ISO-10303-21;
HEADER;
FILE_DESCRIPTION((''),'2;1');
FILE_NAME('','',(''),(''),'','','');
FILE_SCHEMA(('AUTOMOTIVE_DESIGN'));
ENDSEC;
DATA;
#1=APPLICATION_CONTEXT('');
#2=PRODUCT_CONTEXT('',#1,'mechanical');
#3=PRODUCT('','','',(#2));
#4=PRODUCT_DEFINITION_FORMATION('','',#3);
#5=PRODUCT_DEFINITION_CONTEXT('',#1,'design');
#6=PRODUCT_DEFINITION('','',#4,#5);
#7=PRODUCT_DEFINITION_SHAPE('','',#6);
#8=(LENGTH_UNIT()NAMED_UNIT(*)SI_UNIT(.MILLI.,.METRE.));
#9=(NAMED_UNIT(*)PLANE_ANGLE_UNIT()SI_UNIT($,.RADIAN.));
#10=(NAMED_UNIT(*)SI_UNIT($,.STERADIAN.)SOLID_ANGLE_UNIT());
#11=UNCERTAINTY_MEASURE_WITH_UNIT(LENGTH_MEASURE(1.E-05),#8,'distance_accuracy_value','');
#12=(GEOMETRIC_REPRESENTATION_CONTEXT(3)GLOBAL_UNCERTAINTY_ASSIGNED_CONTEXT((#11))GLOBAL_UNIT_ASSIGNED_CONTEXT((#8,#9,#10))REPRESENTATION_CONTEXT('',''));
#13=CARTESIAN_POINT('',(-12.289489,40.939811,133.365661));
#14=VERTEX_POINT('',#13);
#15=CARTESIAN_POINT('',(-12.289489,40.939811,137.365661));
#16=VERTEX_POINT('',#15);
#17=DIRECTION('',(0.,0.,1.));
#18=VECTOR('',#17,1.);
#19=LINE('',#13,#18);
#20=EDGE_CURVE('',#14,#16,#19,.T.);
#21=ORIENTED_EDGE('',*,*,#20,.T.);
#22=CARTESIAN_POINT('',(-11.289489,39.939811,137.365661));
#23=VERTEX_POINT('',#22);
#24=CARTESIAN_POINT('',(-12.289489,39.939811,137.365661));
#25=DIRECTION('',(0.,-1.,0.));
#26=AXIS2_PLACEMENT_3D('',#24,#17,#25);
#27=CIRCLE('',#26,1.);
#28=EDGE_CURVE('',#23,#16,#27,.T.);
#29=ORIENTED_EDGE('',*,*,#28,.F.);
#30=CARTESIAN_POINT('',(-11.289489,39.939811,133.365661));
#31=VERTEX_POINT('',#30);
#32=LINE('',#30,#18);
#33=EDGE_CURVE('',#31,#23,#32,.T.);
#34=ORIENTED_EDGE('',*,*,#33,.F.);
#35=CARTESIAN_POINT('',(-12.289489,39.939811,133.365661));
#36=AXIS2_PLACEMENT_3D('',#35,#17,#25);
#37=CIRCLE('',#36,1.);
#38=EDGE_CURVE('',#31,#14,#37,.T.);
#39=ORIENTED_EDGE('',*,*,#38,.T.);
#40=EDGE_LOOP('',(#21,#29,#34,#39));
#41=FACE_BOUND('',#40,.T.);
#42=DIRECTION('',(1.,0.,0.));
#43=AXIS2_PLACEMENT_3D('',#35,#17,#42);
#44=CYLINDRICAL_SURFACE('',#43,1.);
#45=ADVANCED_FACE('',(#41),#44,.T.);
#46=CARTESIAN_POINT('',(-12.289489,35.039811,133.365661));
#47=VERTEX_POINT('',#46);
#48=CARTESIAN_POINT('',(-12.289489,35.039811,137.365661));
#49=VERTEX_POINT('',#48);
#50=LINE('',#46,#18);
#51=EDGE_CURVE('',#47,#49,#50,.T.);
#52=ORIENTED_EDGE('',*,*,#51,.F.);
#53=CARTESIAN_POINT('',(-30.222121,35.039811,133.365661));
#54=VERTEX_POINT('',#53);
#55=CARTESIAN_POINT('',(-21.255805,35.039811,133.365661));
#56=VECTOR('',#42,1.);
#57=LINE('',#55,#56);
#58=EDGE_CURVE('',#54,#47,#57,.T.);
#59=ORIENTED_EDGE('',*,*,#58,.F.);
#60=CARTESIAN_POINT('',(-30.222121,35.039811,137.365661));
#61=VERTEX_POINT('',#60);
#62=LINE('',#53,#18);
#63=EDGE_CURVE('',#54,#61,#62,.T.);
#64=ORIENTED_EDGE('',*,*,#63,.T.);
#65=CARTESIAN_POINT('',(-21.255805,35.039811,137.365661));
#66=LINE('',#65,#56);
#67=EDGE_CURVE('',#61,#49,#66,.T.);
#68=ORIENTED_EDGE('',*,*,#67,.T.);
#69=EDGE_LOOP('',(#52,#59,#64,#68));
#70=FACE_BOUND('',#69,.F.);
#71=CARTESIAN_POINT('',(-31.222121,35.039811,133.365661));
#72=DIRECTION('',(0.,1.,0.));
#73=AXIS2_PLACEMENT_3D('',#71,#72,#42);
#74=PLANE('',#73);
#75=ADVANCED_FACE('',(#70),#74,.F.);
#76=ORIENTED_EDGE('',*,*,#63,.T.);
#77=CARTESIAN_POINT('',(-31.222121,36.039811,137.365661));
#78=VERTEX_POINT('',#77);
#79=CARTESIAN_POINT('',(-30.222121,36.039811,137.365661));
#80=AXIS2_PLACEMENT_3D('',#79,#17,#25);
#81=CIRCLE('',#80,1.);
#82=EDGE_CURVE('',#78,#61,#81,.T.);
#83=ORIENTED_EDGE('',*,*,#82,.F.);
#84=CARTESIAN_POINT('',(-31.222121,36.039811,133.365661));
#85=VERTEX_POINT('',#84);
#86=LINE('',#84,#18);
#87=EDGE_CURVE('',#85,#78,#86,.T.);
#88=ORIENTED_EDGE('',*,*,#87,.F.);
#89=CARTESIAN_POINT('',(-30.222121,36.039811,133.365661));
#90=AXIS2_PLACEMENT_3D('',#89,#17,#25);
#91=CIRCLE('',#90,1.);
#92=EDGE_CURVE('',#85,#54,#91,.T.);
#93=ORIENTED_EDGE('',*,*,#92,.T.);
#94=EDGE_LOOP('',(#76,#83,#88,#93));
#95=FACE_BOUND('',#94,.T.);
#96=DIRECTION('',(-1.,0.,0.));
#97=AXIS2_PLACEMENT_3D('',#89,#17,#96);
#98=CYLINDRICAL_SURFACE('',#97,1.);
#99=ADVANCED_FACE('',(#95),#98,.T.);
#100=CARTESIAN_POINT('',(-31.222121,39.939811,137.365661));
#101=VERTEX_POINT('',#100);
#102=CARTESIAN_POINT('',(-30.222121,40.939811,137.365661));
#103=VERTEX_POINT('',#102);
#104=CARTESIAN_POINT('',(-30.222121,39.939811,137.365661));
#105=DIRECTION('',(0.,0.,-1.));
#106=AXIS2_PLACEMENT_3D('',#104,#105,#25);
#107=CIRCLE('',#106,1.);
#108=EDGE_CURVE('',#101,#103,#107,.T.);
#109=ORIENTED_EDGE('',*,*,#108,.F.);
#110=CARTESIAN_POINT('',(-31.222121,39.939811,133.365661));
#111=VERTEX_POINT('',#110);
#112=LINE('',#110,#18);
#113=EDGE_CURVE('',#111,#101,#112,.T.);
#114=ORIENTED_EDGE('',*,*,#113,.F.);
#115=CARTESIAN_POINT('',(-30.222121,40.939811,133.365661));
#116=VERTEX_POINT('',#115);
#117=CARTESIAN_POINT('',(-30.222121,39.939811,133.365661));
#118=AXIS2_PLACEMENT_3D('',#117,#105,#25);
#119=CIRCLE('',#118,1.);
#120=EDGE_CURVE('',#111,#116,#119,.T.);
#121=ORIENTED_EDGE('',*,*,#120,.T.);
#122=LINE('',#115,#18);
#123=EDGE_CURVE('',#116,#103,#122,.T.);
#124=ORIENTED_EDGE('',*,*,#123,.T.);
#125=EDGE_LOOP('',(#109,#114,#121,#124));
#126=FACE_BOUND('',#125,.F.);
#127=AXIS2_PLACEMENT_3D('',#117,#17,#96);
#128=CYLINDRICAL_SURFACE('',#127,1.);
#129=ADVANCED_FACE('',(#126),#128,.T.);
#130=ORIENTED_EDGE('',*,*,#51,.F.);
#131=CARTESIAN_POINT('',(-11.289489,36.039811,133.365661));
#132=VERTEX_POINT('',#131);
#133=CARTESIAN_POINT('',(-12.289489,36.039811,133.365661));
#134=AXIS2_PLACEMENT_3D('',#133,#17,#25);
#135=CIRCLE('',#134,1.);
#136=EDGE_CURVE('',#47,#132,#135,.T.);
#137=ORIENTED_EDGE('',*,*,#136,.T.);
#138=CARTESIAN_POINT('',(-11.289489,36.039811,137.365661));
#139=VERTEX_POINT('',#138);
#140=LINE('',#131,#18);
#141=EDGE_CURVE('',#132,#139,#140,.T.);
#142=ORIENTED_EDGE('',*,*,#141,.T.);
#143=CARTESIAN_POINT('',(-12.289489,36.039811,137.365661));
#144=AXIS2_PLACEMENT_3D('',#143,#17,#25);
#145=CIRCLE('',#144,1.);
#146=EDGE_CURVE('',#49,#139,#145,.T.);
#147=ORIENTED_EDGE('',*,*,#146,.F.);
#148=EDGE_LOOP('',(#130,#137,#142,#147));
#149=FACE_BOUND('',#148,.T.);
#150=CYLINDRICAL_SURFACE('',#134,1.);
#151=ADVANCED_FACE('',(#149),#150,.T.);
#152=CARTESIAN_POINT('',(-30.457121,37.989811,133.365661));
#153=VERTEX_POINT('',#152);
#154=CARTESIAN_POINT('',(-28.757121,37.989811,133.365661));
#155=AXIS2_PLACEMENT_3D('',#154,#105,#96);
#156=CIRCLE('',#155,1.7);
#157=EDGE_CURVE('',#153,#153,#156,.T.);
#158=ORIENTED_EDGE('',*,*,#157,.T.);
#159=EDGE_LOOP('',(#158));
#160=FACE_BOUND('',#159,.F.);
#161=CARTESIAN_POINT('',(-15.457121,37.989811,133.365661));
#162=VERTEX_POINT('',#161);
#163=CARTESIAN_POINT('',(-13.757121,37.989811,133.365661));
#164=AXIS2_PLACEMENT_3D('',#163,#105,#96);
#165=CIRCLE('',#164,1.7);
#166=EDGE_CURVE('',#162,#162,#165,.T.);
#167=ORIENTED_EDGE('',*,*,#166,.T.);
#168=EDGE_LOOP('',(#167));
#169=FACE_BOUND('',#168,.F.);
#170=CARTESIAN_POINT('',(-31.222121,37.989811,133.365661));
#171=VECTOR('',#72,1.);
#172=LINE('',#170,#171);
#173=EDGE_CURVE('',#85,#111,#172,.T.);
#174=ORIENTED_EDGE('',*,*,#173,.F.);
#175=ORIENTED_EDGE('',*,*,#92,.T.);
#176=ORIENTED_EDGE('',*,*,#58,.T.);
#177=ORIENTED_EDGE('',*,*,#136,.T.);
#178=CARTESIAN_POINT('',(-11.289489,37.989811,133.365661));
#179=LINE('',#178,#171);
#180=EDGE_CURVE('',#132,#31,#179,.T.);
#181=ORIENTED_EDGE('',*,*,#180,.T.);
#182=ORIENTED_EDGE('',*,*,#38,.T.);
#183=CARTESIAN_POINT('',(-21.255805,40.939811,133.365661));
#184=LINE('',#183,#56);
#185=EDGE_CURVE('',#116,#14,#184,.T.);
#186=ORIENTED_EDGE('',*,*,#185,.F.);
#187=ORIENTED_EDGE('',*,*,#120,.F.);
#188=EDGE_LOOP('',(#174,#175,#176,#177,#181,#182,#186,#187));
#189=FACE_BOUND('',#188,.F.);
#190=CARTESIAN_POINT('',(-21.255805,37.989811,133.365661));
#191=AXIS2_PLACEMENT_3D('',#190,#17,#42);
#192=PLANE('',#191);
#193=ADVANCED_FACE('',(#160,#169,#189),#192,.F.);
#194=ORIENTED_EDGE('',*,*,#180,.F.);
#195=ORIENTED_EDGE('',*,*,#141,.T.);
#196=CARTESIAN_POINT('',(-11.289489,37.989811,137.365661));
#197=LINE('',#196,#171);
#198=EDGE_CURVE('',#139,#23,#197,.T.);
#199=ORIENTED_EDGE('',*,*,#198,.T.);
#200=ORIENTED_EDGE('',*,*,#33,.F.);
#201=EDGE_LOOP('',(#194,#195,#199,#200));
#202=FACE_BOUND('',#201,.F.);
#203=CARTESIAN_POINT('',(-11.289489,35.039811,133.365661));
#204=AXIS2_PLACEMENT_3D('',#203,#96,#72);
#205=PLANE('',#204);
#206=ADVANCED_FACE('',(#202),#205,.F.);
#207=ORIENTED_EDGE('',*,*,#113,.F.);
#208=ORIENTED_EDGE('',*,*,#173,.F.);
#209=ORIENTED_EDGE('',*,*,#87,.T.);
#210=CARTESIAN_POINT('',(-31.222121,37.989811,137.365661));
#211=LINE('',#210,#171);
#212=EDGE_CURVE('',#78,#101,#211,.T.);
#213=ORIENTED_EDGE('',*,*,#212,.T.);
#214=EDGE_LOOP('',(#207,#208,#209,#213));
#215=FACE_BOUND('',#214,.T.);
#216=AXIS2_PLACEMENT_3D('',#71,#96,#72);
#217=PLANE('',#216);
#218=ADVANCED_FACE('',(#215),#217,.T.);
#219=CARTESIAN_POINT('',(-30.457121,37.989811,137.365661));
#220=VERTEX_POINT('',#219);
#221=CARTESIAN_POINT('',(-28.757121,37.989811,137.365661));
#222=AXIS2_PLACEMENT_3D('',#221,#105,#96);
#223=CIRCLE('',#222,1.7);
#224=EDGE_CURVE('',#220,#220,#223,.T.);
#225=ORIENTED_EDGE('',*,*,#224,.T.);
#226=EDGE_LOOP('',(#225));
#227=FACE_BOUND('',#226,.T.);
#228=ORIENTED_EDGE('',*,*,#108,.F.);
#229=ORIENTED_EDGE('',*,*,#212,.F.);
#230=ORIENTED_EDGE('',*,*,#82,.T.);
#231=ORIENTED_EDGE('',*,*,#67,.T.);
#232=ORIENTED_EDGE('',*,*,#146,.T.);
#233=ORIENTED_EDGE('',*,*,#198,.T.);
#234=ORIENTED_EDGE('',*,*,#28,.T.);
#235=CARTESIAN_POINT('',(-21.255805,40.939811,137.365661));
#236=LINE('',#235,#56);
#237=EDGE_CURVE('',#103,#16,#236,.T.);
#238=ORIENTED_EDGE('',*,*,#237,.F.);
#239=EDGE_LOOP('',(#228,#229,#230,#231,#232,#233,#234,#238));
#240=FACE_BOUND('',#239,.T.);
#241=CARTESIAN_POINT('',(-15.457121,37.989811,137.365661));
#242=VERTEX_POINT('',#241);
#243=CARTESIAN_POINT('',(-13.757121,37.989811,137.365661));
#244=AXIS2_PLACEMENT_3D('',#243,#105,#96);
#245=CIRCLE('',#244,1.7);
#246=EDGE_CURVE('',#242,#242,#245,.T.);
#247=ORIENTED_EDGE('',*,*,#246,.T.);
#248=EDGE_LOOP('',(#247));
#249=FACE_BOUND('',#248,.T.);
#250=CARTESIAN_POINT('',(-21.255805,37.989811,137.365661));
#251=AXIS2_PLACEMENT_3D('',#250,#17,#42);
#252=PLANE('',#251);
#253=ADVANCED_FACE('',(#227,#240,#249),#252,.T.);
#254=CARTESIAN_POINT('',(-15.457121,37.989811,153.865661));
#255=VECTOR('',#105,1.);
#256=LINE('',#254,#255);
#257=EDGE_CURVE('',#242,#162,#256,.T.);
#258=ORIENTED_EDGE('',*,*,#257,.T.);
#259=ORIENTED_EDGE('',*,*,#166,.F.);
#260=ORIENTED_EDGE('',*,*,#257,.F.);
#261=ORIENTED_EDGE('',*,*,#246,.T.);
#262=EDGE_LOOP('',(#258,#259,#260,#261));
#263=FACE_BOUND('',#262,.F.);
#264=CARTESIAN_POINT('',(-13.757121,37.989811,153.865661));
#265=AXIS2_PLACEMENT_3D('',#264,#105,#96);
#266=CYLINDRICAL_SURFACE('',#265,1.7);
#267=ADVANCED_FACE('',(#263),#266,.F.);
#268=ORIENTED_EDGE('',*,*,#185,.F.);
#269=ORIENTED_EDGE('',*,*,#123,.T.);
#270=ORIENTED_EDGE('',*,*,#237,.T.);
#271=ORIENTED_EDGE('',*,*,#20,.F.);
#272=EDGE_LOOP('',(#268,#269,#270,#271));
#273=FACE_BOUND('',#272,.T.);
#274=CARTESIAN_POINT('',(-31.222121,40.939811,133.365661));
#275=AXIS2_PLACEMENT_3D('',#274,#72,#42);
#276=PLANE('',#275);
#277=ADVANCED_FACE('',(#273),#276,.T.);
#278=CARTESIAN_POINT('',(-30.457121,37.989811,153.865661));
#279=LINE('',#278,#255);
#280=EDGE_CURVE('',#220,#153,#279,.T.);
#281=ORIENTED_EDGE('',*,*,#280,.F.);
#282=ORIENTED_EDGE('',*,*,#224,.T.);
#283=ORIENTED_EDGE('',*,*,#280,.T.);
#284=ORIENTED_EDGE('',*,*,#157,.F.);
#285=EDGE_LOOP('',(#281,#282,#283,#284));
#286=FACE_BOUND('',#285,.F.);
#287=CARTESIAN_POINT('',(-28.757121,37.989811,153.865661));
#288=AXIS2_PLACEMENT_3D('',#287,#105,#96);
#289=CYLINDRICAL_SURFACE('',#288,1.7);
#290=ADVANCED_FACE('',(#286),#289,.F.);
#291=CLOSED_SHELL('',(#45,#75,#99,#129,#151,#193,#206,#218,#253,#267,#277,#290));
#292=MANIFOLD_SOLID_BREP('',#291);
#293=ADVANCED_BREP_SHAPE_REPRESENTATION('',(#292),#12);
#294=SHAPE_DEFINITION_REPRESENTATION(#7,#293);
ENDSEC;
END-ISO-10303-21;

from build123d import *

# Parameters (mm, degrees)
SKETCH2_W                = 19.932631385
SKETCH2_H                = 5.9
BOSS_EXTRUDE1_DEPTH      = 4
FILLET1_R                = 1
M3_CLEARANCE_HOLE1_D     = 3.4
M3_CLEARANCE_HOLE1_DEPTH = 16.5
M3_CLEARANCE_HOLE1_TIP   = 1.021463052


with BuildPart() as part:
    # Sketch2 → Boss-Extrude1 (new body)
    with BuildSketch(Plane.XY.offset(133.365661293)):
        with Locations((-21.255805031, 37.989811256)):
            Rectangle(SKETCH2_W, SKETCH2_H)
    extrude(amount=BOSS_EXTRUDE1_DEPTH)

    # Fillet1
    fillet1_edges = [part.edges().sort_by_distance(p)[0] for p in [
        (-31.222120723, 40.939811256, 135.365661293),
        (-11.289489338, 40.939811256, 135.365661293),
        (-11.289489338, 35.039811256, 135.365661293),
        (-31.222120723, 35.039811256, 135.365661293),
    ]]
    fillet(fillet1_edges, radius=FILLET1_R)

    # M3 Clearance Hole1
    with Locations(Plane.XY.offset(137.365661293)):
        with Locations((-28.757120723, 37.989811256), (-13.757120723, 37.989811256)):
            Hole(M3_CLEARANCE_HOLE1_D / 2, depth=M3_CLEARANCE_HOLE1_DEPTH)
            with Locations((0, 0, -(M3_CLEARANCE_HOLE1_DEPTH + M3_CLEARANCE_HOLE1_TIP / 2))):  # 118° drill point
                Cone(0, M3_CLEARANCE_HOLE1_D / 2, M3_CLEARANCE_HOLE1_TIP, mode=Mode.SUBTRACT)


solid = part.part
